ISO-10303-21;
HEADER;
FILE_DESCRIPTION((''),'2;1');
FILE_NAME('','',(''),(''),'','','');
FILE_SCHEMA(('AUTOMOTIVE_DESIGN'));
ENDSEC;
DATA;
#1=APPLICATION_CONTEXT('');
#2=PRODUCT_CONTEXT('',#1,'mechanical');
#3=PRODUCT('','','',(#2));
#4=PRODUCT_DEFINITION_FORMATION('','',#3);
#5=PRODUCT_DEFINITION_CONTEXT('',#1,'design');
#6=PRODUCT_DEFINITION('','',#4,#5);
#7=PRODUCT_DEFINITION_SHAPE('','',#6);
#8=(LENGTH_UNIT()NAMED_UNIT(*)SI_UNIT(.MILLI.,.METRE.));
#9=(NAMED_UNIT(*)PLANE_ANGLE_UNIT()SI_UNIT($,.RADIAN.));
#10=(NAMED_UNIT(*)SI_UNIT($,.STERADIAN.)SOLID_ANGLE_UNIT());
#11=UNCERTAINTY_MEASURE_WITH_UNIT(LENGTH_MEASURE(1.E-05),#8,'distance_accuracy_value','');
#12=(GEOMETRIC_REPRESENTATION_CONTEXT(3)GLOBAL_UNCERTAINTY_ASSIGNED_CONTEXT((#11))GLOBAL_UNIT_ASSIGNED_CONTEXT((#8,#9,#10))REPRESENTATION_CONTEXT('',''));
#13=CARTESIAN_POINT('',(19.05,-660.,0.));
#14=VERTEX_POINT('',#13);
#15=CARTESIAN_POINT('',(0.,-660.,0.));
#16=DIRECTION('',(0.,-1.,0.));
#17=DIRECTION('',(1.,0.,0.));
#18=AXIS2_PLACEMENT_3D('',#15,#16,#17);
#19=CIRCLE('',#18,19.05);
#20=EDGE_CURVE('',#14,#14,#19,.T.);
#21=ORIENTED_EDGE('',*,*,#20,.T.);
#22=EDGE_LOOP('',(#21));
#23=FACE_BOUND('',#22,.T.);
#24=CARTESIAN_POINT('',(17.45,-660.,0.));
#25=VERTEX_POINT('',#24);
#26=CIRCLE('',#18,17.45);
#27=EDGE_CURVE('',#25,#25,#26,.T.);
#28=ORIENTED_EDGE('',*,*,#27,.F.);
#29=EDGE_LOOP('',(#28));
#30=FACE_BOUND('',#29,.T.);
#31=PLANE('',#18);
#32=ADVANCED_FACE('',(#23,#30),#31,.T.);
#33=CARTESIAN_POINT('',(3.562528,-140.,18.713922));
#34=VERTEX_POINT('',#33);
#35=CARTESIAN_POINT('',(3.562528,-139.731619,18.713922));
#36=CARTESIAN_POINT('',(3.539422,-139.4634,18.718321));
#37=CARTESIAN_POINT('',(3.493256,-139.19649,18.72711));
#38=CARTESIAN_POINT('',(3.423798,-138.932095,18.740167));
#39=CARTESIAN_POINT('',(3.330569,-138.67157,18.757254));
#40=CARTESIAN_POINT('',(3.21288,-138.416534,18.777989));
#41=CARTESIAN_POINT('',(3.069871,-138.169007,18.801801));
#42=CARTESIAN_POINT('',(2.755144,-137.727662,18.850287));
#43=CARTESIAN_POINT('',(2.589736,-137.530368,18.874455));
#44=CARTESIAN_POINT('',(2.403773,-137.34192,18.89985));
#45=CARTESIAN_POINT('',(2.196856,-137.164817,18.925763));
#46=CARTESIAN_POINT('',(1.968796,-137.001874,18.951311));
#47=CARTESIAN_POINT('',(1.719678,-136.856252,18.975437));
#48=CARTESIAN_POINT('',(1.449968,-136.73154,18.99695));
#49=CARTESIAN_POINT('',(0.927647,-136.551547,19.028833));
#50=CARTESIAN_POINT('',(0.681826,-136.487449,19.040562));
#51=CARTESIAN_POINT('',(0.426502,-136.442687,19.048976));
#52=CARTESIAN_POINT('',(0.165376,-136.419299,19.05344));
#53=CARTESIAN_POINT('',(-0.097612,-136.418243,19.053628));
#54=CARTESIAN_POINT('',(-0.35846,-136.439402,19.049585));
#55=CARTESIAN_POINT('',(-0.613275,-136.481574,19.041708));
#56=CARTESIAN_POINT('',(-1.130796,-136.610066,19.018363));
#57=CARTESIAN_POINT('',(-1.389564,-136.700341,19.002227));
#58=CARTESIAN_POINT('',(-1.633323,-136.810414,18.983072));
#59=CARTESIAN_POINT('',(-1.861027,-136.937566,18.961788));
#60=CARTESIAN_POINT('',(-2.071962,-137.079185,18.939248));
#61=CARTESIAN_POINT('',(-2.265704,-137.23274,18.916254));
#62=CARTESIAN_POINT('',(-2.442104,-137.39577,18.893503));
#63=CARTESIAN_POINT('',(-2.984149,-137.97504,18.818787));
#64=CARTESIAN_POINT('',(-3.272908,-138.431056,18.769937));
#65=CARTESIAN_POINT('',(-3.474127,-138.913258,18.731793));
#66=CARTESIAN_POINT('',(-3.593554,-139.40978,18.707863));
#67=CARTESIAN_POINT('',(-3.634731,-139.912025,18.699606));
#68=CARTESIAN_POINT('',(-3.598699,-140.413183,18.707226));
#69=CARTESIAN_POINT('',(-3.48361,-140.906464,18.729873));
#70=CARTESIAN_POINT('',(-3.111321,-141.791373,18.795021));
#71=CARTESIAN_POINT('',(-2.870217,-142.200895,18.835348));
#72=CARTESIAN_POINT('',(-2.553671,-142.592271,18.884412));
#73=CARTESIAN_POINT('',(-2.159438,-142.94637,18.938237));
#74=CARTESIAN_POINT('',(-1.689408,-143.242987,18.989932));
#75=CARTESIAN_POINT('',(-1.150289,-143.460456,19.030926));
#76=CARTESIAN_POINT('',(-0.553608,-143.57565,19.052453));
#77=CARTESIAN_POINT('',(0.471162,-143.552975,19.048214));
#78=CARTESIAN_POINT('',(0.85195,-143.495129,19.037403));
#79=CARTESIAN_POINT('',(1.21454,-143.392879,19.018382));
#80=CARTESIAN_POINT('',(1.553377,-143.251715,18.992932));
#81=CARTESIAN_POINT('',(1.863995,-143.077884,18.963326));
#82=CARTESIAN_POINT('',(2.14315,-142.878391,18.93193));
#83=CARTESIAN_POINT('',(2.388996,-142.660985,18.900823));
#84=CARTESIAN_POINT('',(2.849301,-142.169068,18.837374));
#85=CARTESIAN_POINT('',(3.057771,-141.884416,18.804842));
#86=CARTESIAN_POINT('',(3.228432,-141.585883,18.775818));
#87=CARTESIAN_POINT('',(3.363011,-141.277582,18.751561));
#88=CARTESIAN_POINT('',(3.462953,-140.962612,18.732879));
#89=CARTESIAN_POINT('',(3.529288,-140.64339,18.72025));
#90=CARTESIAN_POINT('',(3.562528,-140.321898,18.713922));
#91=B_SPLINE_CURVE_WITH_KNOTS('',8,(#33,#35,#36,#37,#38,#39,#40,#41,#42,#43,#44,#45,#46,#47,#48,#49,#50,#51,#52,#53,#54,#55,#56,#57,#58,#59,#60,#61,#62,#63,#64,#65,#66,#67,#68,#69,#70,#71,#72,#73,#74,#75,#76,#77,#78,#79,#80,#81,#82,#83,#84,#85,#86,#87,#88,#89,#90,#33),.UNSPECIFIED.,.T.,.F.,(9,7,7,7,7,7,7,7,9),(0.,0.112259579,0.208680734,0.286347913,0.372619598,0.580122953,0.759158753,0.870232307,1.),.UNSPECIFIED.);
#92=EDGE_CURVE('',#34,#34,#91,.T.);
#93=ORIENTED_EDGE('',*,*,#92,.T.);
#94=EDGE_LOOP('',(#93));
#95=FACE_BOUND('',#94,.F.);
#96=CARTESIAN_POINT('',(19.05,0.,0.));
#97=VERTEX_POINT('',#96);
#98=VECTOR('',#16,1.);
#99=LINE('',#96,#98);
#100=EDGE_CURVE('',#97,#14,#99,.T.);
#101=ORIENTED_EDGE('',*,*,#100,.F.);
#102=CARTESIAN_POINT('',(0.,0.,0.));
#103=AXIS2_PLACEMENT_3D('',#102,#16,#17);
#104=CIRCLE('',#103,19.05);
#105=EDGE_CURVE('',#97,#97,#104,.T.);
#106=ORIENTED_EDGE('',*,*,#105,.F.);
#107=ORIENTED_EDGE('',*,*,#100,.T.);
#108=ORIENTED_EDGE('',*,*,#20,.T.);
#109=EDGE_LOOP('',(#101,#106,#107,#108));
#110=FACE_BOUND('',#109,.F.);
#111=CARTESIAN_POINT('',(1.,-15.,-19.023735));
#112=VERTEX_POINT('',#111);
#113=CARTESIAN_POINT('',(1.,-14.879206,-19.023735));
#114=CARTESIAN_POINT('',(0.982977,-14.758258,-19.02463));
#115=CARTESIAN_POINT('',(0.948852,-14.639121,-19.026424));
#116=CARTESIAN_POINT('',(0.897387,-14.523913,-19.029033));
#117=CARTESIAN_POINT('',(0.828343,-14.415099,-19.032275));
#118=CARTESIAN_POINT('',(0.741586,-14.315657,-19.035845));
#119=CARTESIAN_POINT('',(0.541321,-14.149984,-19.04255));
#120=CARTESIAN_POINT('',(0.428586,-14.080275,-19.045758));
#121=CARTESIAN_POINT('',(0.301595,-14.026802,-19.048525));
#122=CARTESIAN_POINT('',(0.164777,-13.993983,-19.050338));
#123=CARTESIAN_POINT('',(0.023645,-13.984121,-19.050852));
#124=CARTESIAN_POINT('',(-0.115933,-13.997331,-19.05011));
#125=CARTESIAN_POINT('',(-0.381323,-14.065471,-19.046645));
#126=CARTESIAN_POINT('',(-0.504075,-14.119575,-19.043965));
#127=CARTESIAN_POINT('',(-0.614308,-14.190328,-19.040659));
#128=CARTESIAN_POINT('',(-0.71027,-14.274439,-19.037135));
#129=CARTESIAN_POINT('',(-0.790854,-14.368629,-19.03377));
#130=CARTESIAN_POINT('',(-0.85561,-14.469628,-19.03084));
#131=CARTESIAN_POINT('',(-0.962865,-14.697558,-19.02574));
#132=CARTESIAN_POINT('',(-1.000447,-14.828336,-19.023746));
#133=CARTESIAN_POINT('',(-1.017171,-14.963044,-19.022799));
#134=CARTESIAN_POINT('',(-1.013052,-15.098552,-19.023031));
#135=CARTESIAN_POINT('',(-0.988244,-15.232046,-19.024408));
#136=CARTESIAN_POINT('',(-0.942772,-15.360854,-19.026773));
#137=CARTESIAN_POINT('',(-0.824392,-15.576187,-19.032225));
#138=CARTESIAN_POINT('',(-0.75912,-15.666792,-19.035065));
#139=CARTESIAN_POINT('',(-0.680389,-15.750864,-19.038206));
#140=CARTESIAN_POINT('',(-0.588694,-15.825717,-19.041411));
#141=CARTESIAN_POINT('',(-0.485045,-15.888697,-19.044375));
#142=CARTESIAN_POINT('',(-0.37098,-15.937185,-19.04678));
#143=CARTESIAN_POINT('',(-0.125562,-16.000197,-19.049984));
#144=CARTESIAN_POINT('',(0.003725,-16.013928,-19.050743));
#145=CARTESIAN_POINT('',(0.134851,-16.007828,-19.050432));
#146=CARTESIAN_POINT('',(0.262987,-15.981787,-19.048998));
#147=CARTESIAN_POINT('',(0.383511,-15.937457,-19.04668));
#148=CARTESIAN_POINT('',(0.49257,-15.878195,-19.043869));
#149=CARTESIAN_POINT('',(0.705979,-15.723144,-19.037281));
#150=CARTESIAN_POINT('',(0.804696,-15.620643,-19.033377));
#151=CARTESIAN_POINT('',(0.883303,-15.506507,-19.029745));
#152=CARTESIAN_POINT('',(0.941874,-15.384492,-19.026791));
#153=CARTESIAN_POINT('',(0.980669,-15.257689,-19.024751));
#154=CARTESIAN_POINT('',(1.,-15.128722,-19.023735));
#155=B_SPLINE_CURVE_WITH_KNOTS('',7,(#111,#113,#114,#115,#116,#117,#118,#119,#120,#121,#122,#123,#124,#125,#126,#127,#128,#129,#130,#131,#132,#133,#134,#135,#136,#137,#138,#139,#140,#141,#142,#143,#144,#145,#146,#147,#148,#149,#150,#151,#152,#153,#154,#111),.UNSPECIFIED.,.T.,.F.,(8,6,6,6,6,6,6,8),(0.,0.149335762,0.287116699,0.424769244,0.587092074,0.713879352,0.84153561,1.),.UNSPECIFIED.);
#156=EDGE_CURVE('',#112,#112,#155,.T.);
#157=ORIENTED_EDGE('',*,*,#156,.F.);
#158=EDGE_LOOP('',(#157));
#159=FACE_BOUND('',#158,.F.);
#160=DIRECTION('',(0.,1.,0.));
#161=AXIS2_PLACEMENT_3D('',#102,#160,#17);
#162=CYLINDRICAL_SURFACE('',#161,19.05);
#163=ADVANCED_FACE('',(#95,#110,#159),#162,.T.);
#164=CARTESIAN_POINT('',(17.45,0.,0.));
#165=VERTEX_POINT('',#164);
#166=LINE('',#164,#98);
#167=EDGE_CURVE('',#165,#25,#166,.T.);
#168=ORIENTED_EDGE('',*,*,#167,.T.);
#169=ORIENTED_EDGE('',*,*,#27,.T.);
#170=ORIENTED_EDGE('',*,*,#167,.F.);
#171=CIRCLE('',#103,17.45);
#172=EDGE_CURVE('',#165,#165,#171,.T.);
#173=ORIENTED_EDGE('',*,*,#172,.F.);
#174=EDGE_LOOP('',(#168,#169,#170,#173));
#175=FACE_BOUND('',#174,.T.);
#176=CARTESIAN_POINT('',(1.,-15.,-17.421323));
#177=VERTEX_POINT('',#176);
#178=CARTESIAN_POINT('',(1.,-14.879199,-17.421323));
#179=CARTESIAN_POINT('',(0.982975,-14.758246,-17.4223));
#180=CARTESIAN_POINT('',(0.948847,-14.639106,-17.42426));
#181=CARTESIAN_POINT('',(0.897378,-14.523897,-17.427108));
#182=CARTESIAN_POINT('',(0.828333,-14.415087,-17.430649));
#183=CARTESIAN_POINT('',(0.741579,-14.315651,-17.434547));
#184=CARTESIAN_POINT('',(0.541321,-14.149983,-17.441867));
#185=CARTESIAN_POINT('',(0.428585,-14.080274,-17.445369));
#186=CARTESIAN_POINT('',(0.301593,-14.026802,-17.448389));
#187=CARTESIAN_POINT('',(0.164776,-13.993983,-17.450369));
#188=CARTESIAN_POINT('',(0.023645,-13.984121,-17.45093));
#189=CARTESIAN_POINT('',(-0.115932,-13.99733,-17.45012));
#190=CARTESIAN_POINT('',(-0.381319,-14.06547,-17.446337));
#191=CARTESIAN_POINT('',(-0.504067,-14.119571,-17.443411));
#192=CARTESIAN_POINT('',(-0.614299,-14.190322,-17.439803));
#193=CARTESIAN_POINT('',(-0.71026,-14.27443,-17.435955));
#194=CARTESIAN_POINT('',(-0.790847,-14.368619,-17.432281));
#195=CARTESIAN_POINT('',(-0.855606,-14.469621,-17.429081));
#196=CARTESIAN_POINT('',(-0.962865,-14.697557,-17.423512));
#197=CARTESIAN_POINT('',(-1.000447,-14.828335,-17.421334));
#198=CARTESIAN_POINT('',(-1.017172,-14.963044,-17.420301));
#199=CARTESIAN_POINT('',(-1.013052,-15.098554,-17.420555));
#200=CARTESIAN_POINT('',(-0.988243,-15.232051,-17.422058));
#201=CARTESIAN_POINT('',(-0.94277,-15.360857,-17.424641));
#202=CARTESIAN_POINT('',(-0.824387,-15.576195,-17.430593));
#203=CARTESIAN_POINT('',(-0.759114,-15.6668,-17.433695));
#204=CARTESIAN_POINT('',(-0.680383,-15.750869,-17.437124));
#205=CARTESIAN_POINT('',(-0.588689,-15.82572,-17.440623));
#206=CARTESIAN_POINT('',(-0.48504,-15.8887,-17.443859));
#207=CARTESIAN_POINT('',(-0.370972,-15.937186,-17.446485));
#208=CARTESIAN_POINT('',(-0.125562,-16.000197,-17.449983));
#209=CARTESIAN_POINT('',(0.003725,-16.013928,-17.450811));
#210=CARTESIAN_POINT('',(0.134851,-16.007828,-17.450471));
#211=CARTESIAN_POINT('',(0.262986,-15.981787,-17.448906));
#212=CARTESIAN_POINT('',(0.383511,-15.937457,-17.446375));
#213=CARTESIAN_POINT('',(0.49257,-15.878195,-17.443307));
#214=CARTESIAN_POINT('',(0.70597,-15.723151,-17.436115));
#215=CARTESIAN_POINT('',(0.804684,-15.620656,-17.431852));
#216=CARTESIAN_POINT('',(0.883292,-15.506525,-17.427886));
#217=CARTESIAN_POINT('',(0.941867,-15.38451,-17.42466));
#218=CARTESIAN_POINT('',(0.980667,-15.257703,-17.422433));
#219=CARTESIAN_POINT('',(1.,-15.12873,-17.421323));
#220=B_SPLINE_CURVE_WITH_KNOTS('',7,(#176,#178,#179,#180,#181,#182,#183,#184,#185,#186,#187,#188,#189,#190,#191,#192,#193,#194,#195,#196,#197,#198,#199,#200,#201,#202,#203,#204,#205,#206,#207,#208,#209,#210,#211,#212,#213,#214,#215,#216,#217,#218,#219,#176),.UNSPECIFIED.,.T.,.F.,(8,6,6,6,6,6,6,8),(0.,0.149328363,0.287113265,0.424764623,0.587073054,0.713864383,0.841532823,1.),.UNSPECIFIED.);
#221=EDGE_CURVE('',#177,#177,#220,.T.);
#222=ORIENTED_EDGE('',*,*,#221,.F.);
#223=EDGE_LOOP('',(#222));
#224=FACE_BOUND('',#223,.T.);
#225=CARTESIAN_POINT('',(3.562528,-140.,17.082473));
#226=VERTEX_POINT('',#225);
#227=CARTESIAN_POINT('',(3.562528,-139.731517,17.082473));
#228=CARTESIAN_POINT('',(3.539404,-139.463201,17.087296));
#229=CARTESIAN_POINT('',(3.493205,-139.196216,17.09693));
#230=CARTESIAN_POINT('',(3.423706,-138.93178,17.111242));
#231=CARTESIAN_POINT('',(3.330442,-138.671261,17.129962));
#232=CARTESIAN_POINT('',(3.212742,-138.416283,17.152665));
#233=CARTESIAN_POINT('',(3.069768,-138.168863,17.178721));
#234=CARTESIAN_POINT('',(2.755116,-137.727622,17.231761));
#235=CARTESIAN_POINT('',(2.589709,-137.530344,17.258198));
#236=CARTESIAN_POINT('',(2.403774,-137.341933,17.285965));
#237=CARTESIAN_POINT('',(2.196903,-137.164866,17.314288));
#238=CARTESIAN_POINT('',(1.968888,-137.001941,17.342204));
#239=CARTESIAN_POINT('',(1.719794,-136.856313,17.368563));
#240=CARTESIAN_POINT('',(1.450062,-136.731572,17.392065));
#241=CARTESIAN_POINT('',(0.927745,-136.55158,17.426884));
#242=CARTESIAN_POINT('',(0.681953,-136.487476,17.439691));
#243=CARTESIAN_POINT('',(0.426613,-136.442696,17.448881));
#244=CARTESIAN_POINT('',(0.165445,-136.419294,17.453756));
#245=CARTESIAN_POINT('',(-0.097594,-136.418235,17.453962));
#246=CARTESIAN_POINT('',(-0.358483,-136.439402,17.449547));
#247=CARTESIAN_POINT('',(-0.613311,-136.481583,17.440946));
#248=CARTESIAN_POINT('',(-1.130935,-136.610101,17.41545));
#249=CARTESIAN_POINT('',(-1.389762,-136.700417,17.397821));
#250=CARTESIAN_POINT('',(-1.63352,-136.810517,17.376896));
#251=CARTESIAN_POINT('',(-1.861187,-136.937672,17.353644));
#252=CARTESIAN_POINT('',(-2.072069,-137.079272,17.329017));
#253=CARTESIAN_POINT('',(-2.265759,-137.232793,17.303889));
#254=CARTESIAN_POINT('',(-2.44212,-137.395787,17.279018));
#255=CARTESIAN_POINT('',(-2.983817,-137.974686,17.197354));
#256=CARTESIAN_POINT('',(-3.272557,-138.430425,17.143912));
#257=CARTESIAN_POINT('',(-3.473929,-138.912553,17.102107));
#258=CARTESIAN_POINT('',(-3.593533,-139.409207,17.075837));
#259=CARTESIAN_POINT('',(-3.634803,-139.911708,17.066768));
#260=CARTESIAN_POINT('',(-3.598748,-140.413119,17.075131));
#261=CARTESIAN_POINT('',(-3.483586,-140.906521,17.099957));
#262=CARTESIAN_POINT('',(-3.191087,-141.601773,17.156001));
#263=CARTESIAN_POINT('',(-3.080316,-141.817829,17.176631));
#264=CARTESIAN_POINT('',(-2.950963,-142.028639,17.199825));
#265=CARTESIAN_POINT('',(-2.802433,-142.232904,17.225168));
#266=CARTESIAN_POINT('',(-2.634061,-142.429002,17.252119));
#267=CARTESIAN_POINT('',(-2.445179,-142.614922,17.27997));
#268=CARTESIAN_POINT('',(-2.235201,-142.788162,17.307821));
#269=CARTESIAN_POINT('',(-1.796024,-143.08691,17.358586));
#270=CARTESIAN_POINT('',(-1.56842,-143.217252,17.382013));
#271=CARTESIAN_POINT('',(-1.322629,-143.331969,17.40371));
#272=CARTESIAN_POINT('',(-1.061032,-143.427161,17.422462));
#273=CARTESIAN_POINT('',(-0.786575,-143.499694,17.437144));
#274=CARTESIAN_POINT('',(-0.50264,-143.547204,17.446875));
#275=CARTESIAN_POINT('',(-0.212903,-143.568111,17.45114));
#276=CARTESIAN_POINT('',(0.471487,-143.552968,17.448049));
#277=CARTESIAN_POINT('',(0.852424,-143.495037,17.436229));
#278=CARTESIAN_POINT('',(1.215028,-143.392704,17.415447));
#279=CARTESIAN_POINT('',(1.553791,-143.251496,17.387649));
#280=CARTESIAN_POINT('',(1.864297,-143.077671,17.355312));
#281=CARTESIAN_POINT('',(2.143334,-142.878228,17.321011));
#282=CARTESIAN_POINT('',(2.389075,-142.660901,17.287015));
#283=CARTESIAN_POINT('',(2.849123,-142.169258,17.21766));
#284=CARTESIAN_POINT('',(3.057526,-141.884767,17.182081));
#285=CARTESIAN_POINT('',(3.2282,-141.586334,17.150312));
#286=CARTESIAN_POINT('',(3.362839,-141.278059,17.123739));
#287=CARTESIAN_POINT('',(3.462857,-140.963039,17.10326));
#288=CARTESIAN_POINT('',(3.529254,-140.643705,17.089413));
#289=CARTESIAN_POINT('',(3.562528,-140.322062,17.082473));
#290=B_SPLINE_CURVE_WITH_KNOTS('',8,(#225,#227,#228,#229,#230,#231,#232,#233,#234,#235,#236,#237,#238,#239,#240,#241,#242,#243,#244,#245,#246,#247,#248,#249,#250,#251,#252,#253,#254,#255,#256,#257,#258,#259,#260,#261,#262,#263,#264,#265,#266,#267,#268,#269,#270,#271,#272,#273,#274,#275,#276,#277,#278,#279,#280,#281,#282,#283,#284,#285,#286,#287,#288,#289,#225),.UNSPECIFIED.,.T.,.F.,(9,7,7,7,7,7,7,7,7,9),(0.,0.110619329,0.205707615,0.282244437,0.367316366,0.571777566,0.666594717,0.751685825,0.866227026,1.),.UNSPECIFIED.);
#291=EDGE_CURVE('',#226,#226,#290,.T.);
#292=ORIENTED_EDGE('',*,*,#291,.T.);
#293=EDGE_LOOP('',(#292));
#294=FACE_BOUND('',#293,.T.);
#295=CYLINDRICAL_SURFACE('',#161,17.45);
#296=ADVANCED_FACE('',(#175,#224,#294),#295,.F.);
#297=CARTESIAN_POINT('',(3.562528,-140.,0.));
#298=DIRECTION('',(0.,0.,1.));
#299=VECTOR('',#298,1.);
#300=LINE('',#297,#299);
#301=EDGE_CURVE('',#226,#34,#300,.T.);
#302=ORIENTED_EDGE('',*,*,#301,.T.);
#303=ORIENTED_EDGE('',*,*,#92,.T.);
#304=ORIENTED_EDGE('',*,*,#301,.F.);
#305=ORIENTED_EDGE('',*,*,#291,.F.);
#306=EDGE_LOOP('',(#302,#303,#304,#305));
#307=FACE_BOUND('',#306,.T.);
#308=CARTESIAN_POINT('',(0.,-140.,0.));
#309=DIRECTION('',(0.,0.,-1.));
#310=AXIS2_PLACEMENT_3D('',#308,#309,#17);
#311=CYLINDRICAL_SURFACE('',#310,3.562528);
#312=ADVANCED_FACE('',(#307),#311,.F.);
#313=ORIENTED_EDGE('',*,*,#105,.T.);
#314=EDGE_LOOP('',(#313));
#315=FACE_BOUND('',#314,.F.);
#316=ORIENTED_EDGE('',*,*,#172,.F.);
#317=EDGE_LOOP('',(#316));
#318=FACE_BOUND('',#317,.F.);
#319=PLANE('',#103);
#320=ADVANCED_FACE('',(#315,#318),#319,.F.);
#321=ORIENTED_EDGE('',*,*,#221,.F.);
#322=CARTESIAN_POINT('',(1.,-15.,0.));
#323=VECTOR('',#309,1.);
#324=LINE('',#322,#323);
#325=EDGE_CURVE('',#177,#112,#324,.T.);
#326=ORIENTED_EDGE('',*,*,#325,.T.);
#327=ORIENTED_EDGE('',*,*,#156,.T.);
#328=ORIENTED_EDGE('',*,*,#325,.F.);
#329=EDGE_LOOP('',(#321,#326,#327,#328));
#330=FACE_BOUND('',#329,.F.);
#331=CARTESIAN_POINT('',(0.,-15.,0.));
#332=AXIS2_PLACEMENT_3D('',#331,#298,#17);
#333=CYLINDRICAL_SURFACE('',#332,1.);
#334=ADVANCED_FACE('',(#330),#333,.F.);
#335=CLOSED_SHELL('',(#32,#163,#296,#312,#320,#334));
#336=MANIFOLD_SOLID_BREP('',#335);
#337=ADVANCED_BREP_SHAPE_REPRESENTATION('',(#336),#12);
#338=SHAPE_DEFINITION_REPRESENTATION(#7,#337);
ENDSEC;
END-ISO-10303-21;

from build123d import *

# Parameters (mm, degrees)
F0_R     = 19.05
F0_R_2   = 17.45
F1_DEPTH = 660
F2_R     = 3.5625283299
F3_DEPTH = 20.050000094
F4_R     = 1
F5_DEPTH = 20.050000107


with BuildPart() as f1:
    # F0 (on Front) → F1 (new body)
    with BuildSketch(Plane.XZ):
        Circle(F0_R)
        Circle(F0_R_2, mode=Mode.SUBTRACT)
    extrude(amount=F1_DEPTH)

    # F2 (on Top) → F3 (cut, up to face)
    with BuildSketch(Plane.XY):
        with Locations((0, -140)):
            Circle(F2_R)
    extrude(amount=F3_DEPTH, mode=Mode.SUBTRACT)

    # F4 (on Top) → F5 (cut, up to face)
    with BuildSketch(Plane.XY):
        with Locations((0, -15)):
            Circle(F4_R)
    extrude(amount=-F5_DEPTH, mode=Mode.SUBTRACT)


solid = f1.part
